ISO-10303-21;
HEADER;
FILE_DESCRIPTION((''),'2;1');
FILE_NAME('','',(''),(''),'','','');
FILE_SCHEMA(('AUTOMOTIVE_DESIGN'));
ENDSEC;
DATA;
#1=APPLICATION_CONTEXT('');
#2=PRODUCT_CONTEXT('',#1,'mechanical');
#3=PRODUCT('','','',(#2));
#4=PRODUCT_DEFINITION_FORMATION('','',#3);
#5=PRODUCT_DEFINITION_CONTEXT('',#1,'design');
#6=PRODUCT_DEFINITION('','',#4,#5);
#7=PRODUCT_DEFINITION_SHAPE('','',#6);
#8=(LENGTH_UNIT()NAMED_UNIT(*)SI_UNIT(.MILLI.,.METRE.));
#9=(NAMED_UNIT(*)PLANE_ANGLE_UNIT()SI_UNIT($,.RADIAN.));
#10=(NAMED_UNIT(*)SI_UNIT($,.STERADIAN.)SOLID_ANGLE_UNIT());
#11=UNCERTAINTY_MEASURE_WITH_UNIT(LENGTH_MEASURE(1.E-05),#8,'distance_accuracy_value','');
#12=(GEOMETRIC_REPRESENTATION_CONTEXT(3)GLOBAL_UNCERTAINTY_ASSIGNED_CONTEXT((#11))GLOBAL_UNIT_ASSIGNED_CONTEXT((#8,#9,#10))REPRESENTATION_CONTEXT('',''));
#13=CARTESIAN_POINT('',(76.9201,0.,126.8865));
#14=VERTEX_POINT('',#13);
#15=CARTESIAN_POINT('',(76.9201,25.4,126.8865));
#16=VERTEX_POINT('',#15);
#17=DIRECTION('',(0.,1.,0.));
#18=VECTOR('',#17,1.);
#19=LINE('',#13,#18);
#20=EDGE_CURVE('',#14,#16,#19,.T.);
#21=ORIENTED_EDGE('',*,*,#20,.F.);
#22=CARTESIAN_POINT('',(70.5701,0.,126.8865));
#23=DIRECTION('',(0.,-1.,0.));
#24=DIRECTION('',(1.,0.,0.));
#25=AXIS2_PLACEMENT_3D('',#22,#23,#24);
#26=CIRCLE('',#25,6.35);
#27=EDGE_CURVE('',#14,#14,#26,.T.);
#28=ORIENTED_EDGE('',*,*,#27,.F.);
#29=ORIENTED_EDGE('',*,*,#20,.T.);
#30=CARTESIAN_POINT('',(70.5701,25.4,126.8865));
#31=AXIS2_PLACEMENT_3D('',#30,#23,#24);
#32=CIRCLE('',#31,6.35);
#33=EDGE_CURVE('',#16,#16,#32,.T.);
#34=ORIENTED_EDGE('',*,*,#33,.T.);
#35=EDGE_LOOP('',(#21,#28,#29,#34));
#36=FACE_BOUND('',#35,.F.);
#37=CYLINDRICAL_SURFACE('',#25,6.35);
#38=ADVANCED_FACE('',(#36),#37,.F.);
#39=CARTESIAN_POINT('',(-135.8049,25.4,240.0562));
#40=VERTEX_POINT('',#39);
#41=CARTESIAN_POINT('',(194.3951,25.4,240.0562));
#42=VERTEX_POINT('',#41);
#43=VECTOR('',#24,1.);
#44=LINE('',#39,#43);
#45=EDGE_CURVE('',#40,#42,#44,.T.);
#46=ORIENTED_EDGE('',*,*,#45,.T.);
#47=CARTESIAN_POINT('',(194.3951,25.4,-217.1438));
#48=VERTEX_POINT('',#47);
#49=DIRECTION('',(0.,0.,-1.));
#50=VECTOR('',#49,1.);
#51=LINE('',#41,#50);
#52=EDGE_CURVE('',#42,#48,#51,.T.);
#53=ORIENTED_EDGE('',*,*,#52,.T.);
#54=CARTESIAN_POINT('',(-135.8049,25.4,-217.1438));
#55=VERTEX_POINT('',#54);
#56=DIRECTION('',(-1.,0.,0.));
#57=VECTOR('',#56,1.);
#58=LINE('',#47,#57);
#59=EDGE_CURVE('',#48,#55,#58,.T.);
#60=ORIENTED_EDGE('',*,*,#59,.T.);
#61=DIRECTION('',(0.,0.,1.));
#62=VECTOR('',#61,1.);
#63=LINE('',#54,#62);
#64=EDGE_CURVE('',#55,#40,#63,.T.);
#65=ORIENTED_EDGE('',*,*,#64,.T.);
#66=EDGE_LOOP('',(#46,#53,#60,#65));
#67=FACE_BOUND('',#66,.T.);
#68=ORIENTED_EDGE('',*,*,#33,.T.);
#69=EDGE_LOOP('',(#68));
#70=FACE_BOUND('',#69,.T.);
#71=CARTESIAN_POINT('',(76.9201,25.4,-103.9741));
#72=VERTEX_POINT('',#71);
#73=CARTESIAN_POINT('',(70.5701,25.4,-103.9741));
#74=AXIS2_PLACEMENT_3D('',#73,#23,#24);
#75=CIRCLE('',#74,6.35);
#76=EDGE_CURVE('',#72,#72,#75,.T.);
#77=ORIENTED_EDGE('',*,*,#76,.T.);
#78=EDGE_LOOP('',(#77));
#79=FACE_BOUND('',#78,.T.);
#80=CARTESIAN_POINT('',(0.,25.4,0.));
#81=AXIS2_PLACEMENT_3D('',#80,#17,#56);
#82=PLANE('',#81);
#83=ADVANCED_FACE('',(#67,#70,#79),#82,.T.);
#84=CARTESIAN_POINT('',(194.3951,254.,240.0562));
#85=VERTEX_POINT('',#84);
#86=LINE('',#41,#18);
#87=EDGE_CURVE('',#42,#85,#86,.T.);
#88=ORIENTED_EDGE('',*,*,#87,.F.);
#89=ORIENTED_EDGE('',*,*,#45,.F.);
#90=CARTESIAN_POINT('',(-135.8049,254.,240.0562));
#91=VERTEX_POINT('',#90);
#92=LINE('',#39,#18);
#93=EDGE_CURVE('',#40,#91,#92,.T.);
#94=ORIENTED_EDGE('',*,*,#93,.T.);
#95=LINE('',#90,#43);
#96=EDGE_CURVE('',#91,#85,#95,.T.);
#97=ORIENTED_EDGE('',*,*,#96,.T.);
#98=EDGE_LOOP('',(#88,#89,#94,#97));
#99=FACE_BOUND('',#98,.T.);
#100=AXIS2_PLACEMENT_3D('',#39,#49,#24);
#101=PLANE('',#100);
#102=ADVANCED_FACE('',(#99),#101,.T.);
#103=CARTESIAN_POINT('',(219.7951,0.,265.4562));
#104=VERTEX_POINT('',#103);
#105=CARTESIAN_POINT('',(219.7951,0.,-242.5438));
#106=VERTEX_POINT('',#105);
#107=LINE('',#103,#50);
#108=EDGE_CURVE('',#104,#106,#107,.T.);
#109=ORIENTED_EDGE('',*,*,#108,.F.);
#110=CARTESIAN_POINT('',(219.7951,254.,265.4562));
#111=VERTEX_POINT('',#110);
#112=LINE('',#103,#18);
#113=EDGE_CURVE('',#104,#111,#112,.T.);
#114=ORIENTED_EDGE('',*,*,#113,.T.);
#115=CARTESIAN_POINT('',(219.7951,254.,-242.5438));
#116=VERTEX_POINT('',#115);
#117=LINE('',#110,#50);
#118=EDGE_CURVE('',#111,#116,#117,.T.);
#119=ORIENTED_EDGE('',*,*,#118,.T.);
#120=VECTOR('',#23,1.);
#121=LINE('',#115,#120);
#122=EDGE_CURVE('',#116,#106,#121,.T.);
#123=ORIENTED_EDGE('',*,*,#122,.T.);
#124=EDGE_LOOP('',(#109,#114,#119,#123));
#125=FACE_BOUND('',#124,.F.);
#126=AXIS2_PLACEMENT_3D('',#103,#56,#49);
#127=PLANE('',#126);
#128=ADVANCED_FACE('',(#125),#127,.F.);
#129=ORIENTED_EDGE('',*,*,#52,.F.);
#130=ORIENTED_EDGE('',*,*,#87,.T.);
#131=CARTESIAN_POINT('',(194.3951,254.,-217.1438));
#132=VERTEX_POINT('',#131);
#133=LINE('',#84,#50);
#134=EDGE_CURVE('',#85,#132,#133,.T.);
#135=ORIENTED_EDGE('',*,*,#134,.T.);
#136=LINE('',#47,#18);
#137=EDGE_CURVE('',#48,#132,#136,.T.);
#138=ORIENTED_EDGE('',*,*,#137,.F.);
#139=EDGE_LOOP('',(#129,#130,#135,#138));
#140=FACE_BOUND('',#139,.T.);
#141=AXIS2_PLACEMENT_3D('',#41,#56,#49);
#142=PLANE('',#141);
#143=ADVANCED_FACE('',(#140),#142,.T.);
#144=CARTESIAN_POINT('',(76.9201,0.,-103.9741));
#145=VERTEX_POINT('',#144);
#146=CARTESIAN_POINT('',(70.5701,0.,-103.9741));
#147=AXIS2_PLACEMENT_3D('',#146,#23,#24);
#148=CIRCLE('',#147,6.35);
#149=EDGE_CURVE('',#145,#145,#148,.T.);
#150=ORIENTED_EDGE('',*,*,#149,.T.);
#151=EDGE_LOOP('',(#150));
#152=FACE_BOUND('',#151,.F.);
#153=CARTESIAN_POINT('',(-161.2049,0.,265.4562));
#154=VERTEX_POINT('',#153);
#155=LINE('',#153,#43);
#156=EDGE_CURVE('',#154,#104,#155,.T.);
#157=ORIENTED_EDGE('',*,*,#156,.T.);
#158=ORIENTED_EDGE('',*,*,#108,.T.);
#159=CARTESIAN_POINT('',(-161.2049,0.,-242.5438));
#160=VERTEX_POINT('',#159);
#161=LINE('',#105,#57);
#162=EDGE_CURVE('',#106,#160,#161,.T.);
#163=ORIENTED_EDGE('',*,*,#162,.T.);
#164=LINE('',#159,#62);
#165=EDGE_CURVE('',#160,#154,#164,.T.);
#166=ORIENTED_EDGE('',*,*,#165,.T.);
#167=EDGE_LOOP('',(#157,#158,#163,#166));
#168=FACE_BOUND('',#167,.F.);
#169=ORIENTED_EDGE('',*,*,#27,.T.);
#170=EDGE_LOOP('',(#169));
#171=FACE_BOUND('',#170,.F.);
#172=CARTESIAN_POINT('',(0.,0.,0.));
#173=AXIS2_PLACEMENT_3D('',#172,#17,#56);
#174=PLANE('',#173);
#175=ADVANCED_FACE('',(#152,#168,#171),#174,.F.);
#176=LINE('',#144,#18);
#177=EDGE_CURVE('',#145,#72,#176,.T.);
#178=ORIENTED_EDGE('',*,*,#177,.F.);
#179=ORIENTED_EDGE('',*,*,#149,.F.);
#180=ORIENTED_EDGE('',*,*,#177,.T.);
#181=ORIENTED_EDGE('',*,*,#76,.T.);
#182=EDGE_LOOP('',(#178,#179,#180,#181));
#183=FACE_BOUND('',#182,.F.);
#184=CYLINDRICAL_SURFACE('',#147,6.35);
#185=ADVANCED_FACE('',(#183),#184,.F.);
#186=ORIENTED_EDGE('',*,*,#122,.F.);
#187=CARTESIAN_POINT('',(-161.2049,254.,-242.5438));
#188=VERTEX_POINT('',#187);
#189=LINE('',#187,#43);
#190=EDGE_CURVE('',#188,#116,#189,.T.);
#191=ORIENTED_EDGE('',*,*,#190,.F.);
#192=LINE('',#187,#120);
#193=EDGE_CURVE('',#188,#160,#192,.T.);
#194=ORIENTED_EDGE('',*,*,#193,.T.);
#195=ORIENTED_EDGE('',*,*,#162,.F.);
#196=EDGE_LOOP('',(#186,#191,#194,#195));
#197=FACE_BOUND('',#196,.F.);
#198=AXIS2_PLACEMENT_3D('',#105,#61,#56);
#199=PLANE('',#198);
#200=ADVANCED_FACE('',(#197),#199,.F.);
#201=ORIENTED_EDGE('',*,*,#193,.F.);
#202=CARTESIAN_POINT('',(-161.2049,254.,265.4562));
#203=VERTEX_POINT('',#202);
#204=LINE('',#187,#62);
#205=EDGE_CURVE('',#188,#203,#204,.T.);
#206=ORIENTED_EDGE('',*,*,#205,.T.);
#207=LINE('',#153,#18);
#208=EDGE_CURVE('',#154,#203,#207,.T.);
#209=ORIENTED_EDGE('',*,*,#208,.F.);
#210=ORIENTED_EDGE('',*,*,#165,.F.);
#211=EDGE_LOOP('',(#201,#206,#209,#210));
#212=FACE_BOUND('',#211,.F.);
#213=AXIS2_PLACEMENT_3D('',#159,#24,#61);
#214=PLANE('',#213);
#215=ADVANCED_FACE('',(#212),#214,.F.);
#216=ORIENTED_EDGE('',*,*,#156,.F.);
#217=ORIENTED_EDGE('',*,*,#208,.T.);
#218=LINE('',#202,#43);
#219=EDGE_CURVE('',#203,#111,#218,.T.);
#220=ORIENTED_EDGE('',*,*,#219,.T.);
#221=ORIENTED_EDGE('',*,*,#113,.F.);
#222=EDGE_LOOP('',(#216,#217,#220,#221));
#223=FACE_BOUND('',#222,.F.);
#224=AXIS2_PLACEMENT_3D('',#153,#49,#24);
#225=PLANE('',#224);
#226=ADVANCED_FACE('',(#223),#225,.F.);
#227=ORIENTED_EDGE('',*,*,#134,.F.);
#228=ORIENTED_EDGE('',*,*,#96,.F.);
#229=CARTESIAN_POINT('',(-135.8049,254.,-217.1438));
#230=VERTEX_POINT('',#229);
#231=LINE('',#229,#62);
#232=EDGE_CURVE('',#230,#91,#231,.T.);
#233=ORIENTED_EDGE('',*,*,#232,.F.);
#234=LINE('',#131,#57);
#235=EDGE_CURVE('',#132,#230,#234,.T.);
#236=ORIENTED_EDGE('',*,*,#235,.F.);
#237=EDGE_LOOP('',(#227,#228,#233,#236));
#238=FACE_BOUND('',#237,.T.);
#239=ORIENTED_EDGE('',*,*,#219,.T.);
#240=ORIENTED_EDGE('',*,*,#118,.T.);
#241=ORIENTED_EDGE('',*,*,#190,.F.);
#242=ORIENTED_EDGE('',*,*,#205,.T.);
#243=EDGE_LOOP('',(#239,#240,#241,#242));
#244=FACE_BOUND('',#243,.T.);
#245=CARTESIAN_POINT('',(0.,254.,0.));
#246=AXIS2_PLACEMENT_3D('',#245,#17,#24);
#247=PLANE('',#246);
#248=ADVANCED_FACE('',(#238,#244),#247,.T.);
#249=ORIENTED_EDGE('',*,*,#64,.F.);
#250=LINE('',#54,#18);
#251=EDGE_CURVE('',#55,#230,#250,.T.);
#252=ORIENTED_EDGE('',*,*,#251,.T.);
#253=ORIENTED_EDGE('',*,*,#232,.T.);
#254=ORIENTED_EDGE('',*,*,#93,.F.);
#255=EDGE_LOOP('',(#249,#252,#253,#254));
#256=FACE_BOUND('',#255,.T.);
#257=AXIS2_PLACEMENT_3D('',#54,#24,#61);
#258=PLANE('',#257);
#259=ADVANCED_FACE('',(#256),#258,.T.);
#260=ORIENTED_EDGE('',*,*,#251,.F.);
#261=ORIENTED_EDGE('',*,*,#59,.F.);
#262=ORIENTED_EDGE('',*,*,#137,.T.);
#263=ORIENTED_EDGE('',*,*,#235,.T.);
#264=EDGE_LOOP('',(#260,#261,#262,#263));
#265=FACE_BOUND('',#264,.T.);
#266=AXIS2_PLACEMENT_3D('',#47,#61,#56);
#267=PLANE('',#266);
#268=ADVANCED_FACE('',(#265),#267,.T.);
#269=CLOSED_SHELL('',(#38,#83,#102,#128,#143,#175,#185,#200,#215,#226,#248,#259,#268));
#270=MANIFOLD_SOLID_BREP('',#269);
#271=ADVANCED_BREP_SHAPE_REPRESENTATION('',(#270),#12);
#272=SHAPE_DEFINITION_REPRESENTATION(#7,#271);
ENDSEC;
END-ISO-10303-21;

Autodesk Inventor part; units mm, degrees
ref_plane "YZ Plane" through (0, 0, 0) normal (1, 0, 0) x (0, 1, 0)
ref_plane "XZ Plane" through (0, 0, 0) normal (0, 1, 0) x (-1, 0, 0)
ref_plane "XY Plane" through (0, 0, 0) normal (0, 0, 1) x (1, 0, 0)
sketch "Sketch1" plane through (0, 0, 0) normal (0, 1, 0) x (-1, 0, 0)
  line L0 (161.2049, 265.4562) -> (-219.7951, 265.4562)
  line L1 (-219.7951, 265.4562) -> (-219.7951, -242.5438)
  line L2 (-219.7951, -242.5438) -> (161.2049, -242.5438)
  line L3 (161.2049, -242.5438) -> (161.2049, 265.4562)
  point P0 (0, 0)
  dimension "d0" = 508
  dimension "d1" = 381
extrude "Extrusion1" add sketch "Sketch1" along normal blind 25.4
sketch "Sketch2" plane through (0, 25.4, 0) normal (0, 1, 0) x (1, 0, 0)
  line L0 (-161.2049, -265.4562) -> (219.7951, -265.4562) projected
  line L1 (219.7951, -265.4562) -> (-161.2049, -265.4562)
  line L2 (-161.2049, 242.5438) -> (-161.2049, -265.4562) projected
  line L3 (-161.2049, -265.4562) -> (-161.2049, 242.5438)
  line L4 (219.7951, -265.4562) -> (219.7951, 242.5438) projected
  line L5 (-161.2049, 242.5438) -> (219.7951, 242.5438)
  line L6 (219.7951, 242.5438) -> (219.7951, -265.4562)
  line L7 (219.7951, -265.4562) -> (-161.2049, -265.4562)
  line L8 (219.7951, 242.5438) -> (-161.2049, 242.5438) projected
  line L9 (-161.2049, 242.5438) -> (219.7951, 242.5438)
  line L10 (-135.8049, -240.0562) -> (194.3951, -240.0562)
  line L11 (194.3951, -240.0562) -> (194.3951, 217.1438)
  line L12 (194.3951, 217.1438) -> (-135.8049, 217.1438)
  line L13 (-135.8049, 217.1438) -> (-135.8049, -240.0562)
  point P0 (0, 0)
  dimension "d4" = 25.4
extrude "Extrusion2" add sketch "Sketch2" along normal blind 228.6
sketch "Sketch4" plane through (0, 0, 0) normal (0, -1, 0) x (1, 0, 0)
  line L0 (-161.2049, 265.4562) -> (219.7951, 265.4562) construction
  line L1 (70.5701, 265.4562) -> (70.5701, -242.5438) construction
  line L2 (219.7951, -242.5438) -> (-161.2049, -242.5438) construction
  line L3 (219.7951, 265.4562) -> (219.7951, -242.5438) construction
  circle A0 centre (70.5701, 126.8865) radius 6.35
  circle A1 centre (70.5701, -103.9741) radius 6.35
  line L4 (-161.2049, -242.5438) -> (-161.2049, 265.4562) construction
  line L5 (-161.2049, 11.4562) -> (219.7951, 11.4562) construction
  point P0 (0, 0)
  dimension "d8" = 149.225
  dimension "d9" = 12.7
  dimension "d14" = 138.5697
  dimension "d15" = 138.5697
extrude "Extrusion3" cut sketch "Sketch4" against normal through all
equation "\"d14\" = d11"
equation "\"d11\" = d10"
equation "\"d10\" = 138.5697"
properties part number "Battery Bucket"
